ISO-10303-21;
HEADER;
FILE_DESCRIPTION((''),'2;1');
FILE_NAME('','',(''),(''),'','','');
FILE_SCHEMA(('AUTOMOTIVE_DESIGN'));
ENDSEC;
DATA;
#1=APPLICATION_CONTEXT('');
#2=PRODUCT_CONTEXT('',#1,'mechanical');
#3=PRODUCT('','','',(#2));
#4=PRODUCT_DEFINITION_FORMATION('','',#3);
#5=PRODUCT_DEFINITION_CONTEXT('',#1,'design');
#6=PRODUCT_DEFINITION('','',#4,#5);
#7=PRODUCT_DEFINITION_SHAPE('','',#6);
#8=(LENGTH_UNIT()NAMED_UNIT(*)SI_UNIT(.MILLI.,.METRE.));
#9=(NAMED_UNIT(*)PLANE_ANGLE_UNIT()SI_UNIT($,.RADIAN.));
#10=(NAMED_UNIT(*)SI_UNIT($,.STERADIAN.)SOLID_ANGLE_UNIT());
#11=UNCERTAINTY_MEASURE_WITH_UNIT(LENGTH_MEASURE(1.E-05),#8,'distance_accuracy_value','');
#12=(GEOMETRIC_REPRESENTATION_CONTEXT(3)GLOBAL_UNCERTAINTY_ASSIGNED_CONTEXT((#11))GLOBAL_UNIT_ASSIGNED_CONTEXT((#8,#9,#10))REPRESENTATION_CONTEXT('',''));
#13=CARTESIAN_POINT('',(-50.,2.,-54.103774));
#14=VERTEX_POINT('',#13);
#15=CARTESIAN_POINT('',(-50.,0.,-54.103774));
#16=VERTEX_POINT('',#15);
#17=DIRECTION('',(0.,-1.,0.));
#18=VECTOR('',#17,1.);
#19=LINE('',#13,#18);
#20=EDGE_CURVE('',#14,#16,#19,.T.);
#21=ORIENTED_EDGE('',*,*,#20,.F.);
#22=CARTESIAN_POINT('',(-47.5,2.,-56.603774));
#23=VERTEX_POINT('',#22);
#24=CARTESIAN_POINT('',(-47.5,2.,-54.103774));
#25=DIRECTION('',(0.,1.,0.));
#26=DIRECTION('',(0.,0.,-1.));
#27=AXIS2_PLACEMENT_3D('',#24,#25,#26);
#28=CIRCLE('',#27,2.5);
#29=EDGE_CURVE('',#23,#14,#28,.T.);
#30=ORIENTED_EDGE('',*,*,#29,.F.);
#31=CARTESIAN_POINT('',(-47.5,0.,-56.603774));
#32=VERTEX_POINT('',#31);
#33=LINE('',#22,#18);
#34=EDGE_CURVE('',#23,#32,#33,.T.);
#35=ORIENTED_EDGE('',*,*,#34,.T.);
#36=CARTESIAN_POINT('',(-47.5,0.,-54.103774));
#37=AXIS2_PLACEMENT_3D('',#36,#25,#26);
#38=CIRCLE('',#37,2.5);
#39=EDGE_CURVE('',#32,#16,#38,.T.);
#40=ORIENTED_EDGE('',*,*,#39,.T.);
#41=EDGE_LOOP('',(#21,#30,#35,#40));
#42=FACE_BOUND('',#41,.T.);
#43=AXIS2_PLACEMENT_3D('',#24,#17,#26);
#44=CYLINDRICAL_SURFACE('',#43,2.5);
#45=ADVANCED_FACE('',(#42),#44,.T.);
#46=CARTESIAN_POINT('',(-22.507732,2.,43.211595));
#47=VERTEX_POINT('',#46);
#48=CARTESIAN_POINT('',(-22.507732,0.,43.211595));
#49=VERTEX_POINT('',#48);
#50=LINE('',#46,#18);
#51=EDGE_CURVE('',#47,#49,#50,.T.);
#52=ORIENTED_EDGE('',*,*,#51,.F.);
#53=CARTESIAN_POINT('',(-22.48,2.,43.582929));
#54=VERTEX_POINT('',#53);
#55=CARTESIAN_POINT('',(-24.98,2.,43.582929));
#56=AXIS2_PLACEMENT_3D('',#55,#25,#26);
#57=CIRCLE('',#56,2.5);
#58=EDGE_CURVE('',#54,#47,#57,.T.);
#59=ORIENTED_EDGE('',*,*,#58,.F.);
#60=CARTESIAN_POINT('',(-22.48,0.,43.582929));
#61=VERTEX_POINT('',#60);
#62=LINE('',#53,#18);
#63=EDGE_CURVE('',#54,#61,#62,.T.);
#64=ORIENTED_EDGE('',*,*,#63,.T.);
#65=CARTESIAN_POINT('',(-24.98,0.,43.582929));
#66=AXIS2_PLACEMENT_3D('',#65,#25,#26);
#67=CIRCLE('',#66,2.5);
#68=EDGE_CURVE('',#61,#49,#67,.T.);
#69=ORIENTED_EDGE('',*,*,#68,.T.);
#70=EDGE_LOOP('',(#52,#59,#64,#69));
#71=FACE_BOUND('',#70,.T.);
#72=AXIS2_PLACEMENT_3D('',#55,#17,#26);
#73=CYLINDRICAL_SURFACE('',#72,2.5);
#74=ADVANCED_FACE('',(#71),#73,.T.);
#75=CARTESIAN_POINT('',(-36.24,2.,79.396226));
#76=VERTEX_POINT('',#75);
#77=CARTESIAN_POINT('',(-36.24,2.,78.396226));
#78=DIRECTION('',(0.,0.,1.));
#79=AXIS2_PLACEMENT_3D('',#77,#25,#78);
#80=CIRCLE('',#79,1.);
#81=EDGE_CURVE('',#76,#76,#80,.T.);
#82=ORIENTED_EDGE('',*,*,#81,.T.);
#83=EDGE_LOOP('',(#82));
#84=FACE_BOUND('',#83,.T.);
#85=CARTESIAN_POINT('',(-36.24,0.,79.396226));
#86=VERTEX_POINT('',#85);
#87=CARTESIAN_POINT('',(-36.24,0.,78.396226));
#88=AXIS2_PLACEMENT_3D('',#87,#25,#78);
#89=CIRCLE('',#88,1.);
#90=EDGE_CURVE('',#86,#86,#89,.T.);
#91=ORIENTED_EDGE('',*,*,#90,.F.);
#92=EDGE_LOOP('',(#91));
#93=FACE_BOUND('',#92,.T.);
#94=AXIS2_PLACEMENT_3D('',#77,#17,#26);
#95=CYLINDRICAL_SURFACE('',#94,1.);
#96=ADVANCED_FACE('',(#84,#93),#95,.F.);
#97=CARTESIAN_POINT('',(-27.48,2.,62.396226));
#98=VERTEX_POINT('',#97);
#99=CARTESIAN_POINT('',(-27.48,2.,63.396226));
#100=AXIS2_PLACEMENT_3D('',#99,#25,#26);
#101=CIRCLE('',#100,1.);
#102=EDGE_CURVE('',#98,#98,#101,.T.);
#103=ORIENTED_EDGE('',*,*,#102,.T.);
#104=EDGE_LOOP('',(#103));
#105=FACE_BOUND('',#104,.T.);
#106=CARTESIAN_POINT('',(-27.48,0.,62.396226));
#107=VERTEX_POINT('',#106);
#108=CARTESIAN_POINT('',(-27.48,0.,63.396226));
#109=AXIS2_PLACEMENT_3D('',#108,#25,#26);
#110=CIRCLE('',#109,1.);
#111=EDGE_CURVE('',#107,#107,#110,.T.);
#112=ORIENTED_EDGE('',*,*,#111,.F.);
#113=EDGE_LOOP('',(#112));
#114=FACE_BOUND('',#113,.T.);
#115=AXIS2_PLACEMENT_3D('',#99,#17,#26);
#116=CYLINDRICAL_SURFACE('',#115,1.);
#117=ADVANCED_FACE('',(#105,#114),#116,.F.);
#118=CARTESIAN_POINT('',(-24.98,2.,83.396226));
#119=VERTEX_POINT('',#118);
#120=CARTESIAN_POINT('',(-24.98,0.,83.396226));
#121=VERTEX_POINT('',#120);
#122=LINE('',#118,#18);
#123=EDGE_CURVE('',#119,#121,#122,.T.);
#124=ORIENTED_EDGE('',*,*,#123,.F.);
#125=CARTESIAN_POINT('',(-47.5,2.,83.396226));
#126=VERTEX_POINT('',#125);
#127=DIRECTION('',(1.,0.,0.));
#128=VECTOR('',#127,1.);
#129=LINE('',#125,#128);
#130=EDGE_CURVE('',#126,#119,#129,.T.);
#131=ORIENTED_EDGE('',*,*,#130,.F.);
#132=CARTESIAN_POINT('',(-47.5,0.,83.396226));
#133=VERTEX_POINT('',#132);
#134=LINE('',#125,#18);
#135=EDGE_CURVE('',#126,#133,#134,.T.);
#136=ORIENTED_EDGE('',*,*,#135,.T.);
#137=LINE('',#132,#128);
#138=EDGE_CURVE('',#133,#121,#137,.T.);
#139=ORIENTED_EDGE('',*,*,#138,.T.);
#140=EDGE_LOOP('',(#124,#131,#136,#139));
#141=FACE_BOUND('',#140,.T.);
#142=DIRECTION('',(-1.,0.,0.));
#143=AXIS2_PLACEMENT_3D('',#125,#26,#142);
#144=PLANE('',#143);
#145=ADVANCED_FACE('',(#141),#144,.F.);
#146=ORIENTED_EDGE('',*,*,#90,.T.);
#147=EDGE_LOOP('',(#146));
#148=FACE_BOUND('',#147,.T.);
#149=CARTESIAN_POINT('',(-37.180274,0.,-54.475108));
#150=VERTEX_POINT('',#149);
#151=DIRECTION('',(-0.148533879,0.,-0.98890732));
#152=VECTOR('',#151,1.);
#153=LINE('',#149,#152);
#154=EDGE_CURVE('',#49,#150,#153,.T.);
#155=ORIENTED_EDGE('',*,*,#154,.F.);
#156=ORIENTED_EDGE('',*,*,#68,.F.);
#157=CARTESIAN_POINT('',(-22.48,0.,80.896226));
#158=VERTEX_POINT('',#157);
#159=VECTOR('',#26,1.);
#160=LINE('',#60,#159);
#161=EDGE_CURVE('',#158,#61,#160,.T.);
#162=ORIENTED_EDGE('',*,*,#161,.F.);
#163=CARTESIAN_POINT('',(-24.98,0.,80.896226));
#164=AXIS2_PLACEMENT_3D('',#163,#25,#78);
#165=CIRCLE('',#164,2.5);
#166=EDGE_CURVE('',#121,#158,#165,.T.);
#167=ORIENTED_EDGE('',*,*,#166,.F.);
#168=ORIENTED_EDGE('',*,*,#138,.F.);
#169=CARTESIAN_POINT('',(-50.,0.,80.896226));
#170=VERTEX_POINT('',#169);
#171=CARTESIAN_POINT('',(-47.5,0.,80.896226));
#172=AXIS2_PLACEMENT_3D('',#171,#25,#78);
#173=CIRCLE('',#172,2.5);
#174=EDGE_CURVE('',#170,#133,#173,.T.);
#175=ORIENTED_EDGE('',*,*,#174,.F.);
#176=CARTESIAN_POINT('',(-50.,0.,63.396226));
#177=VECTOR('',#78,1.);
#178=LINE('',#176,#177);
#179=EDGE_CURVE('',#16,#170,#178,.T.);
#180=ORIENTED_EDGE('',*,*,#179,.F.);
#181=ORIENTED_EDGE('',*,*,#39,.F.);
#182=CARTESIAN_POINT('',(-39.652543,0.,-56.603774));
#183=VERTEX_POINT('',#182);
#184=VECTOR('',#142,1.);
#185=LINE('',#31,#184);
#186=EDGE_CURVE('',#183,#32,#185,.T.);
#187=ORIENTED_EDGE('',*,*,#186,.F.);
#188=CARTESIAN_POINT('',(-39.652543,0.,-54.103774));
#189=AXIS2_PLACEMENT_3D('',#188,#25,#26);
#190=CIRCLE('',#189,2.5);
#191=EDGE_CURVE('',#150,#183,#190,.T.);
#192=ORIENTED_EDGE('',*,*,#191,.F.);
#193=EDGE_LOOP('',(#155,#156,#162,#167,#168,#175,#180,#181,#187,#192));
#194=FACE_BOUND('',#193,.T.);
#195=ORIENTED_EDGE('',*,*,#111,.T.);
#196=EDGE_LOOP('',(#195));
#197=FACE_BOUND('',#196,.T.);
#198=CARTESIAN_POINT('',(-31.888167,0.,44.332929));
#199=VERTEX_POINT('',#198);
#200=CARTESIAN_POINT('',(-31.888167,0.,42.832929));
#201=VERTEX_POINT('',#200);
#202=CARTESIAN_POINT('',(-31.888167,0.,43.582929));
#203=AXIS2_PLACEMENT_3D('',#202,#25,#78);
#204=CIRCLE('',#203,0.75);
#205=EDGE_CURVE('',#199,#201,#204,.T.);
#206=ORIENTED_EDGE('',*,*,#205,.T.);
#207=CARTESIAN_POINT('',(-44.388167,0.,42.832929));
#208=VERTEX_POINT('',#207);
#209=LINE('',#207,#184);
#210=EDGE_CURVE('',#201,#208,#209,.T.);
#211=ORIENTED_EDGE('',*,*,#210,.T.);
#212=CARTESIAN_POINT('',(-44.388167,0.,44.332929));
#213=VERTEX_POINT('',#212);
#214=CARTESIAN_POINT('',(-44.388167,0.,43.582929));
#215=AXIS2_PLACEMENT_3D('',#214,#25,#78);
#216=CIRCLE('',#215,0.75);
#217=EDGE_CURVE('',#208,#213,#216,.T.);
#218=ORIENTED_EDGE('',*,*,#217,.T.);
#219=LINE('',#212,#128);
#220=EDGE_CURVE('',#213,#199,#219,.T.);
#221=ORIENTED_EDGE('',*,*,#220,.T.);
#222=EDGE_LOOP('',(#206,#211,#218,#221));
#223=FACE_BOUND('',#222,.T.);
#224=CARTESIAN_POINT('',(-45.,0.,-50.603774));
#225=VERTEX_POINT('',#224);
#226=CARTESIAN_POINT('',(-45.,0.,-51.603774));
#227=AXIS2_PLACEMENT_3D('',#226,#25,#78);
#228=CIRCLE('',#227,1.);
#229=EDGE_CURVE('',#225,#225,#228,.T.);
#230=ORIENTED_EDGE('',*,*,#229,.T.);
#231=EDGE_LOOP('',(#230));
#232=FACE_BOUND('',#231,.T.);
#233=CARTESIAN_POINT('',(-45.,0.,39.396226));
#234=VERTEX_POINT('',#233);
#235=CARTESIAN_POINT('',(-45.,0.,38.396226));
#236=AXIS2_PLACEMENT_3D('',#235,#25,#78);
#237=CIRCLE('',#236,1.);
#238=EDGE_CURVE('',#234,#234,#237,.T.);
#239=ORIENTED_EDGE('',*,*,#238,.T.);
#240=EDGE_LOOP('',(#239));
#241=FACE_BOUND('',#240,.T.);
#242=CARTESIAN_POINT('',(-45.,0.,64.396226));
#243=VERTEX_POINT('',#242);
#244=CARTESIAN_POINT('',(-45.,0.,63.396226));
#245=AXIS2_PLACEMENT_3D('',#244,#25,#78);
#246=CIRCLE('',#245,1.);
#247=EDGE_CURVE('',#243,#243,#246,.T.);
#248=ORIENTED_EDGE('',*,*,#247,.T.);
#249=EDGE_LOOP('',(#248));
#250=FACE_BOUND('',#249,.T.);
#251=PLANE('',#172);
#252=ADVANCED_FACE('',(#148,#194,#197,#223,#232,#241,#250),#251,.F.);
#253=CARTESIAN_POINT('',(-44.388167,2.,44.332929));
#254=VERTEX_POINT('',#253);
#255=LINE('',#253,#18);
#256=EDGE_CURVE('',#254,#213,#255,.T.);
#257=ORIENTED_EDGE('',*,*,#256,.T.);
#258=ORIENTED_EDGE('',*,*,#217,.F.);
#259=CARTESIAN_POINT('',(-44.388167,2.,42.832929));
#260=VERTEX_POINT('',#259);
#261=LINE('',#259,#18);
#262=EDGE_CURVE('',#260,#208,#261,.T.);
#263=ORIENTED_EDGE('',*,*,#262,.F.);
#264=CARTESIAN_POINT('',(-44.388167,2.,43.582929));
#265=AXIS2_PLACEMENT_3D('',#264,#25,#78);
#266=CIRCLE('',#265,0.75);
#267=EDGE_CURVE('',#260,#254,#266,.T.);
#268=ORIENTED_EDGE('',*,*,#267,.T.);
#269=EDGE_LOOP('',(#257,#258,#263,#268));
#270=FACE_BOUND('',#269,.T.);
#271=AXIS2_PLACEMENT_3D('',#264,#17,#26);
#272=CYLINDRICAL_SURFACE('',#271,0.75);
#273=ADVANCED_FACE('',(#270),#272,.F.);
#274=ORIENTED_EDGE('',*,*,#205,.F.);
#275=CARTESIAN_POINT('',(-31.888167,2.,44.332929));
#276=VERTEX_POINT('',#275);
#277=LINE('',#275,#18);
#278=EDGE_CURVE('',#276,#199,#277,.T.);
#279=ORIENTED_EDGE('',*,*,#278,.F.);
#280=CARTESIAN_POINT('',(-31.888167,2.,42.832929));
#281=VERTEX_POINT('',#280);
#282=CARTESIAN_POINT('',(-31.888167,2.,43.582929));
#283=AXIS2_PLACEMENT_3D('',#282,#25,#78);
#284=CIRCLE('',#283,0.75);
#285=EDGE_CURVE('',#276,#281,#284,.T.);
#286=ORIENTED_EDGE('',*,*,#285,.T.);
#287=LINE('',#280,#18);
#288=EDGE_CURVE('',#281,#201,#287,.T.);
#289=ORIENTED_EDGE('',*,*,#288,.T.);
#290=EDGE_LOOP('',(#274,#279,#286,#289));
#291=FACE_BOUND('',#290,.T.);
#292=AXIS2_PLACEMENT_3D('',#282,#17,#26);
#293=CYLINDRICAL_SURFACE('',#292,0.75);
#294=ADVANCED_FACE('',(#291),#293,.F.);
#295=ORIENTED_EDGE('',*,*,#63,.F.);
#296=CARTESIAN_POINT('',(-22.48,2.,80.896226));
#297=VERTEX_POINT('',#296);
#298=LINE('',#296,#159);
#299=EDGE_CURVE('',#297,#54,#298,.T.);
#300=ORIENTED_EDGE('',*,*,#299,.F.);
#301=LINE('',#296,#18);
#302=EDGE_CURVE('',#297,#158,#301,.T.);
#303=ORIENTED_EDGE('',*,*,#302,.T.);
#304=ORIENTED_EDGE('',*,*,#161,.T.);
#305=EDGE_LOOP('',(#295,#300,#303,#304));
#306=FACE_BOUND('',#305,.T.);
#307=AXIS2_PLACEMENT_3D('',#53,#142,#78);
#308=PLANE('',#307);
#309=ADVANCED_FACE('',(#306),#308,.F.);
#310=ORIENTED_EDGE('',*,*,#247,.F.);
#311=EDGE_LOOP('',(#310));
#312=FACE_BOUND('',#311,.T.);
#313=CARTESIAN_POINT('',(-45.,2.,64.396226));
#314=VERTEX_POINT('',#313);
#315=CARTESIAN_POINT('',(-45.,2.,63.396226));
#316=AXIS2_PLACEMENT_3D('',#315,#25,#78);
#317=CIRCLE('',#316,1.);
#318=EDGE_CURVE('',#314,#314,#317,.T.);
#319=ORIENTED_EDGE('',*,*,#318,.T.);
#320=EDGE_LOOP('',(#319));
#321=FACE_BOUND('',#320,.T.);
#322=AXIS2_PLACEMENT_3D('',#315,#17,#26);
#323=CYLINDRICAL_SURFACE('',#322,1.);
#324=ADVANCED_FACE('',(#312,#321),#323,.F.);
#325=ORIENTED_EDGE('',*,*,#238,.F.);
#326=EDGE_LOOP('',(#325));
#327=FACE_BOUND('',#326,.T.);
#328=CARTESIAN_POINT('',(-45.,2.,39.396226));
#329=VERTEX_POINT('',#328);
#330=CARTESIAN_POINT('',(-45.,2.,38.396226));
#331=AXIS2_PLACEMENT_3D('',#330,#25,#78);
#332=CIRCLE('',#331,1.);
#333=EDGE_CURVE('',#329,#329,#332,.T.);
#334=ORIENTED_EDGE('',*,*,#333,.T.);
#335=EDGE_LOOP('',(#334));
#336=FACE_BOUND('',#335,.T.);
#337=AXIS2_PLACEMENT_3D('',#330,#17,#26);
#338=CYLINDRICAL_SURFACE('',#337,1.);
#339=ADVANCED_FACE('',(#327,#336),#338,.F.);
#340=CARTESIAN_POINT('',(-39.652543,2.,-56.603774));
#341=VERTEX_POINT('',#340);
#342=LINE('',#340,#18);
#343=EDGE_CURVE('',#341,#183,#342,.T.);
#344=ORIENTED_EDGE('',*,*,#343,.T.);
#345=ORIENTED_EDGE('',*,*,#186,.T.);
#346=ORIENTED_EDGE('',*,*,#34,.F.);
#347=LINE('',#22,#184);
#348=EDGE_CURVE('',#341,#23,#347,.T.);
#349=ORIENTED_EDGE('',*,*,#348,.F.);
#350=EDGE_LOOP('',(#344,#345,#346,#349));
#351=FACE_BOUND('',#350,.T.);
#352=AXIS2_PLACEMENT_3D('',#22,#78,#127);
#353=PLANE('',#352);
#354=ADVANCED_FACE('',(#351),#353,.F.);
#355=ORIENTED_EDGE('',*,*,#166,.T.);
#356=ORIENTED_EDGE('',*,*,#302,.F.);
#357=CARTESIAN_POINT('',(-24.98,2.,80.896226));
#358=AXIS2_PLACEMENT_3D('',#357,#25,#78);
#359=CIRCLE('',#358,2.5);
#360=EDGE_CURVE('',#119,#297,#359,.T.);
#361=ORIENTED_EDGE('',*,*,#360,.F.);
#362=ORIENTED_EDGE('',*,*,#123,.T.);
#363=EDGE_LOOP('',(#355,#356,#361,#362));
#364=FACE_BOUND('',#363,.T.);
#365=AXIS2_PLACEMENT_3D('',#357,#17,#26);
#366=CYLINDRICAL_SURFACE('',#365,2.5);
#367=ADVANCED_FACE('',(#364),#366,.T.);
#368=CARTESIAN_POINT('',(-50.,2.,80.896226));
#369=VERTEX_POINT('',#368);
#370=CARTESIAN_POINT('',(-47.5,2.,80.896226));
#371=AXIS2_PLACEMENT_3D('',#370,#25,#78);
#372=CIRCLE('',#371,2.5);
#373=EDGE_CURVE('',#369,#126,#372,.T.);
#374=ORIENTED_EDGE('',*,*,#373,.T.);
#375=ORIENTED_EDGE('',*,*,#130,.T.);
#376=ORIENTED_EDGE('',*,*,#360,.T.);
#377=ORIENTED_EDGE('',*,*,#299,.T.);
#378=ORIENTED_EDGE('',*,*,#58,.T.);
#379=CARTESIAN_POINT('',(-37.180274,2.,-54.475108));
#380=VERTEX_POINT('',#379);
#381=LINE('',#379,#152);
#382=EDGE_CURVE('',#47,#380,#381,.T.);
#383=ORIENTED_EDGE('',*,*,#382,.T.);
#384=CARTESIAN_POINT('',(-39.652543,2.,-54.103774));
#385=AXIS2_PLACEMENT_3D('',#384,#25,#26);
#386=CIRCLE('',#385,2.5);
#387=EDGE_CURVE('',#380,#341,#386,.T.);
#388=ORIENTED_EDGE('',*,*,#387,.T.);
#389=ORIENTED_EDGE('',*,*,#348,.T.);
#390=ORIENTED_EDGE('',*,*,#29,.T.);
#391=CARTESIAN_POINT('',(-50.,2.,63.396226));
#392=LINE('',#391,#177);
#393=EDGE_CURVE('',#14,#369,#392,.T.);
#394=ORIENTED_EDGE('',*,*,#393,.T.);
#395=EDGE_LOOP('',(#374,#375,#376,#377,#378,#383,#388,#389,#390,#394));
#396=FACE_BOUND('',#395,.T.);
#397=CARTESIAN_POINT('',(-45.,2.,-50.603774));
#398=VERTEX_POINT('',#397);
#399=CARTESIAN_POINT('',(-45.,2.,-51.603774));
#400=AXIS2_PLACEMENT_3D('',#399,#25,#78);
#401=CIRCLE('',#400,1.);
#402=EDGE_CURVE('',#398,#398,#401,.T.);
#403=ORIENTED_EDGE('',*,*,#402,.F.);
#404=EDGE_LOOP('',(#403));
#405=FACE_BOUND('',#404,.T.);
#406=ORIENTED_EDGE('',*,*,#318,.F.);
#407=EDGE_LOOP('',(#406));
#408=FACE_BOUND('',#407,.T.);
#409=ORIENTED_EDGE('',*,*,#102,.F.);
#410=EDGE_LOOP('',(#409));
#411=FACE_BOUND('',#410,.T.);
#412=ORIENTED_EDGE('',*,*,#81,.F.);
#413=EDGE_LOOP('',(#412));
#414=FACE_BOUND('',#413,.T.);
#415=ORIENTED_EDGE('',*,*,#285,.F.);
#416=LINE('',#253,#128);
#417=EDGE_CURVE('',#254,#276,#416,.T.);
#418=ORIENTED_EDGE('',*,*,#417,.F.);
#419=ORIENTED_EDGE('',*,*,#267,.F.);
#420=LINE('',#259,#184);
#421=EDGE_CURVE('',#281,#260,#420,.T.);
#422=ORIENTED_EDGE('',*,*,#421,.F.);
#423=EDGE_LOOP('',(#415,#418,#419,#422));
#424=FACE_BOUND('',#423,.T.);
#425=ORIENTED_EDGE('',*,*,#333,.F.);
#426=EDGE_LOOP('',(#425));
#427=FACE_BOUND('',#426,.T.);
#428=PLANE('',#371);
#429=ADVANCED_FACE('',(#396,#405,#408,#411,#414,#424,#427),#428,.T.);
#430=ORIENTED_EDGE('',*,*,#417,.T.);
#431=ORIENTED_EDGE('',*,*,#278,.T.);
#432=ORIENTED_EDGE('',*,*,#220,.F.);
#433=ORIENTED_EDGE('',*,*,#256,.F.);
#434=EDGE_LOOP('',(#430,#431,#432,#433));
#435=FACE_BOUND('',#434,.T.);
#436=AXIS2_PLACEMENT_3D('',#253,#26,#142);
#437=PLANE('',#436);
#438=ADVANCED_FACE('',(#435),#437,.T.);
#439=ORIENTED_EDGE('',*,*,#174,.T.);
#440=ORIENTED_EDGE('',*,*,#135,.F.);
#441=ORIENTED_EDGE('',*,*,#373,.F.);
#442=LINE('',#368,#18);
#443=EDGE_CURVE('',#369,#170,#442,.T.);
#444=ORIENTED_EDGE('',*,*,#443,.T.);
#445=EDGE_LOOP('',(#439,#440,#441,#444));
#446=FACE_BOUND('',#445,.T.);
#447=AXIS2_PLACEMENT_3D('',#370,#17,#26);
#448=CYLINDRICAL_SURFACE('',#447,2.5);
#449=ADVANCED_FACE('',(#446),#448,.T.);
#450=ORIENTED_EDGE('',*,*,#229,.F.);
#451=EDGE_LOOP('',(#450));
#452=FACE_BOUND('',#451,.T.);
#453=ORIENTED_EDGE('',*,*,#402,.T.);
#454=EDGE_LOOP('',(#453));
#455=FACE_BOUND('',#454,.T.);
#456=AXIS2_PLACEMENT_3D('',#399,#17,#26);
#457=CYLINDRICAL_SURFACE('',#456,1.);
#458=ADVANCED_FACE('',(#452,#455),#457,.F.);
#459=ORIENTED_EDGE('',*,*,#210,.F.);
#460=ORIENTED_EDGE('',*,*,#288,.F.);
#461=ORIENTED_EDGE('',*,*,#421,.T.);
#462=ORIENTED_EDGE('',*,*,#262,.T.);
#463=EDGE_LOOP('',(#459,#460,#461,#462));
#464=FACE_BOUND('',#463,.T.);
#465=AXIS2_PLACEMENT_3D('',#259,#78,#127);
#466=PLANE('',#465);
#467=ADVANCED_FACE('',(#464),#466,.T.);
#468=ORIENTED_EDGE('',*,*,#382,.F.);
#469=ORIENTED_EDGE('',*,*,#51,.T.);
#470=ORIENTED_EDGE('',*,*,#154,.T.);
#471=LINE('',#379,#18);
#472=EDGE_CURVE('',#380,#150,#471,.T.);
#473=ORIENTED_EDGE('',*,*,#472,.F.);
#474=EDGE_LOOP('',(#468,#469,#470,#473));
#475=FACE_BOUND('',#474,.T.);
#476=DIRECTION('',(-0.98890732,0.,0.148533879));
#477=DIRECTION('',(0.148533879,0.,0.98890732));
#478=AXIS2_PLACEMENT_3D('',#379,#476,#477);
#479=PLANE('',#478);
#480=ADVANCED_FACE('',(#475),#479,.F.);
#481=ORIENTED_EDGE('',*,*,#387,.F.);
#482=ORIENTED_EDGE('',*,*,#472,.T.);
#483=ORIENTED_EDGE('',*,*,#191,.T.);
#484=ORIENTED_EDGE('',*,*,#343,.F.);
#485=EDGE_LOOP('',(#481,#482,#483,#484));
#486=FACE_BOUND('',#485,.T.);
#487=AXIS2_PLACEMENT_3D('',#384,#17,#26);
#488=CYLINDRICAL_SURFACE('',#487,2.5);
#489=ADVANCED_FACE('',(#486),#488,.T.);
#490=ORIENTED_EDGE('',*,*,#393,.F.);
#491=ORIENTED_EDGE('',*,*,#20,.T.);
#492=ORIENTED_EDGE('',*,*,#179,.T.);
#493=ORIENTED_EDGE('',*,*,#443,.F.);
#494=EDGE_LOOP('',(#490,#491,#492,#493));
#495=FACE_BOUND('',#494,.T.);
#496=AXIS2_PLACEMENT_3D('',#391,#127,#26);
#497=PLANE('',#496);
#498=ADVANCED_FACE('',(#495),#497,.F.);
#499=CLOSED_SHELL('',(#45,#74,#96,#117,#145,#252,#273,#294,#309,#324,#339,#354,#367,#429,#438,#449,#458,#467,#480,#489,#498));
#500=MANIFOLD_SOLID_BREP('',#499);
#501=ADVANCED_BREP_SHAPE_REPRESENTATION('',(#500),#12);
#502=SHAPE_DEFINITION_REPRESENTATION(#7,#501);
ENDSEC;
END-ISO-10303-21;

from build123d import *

# Parameters (mm, degrees)
SKETCH1_R           = 1
BOSS_EXTRUDE1_DEPTH = 2


with BuildPart() as part:
    # Sketch1 → Boss-Extrude1 (new body)
    with BuildSketch(Plane(origin=(0, 0, 0), x_dir=(1, 0, 0), z_dir=(0, 1, 0))):
        with BuildLine():
            Line((-50, -63.396226415), (-50, 54.103773585))
            ThreePointArc((-50, 54.103773585), (-49.267766953, 55.871540538), (-47.5, 56.603773585))
            Line((-47.5, 56.603773585), (-39.652542771, 56.603773585))
            ThreePointArc((-39.652542771, 56.603773585), (-38.021337196, 55.998283646), (-37.180274472, 54.475108283))
            Line((-37.180274472, 54.475108283), (-22.507731701, -43.211594583))
            ThreePointArc((-22.507731701, -43.211594583), (-22.486942565, -43.396744894), (-22.48, -43.582929282))
            Line((-22.48, -43.582929282), (-22.48, -63.396226415))
            Line((-22.48, -63.396226415), (-22.48, -78.396226415))
            Line((-22.48, -78.396226415), (-22.48, -80.896226415))
            ThreePointArc((-22.48, -80.896226415), (-23.212233047, -82.663993368), (-24.98, -83.396226415))
            Line((-24.98, -83.396226415), (-47.5, -83.396226415))
            ThreePointArc((-47.5, -83.396226415), (-49.267766953, -82.663993368), (-50, -80.896226415))
            Line((-50, -80.896226415), (-50, -78.396226415))
            Line((-50, -78.396226415), (-50, -63.396226415))
        make_face()
        with Locations((-36.24, -78.396226415)):
            Circle(SKETCH1_R, mode=Mode.SUBTRACT)
        with Locations((-45, -63.396226415)):
            Circle(SKETCH1_R, mode=Mode.SUBTRACT)
        with Locations((-27.48, -63.396226415)):
            Circle(SKETCH1_R, mode=Mode.SUBTRACT)
        with Locations((-45, -38.396226415)):
            Circle(SKETCH1_R, mode=Mode.SUBTRACT)
        with Locations((-45, 51.603773585)):
            Circle(SKETCH1_R, mode=Mode.SUBTRACT)
        with BuildLine():
            Line((-44.38816659, -42.832929282), (-31.88816659, -42.832929282))
            ThreePointArc((-31.88816659, -42.832929282), (-31.13816659, -43.582929282), (-31.88816659, -44.332929282))
            Line((-31.88816659, -44.332929282), (-44.38816659, -44.332929282))
            ThreePointArc((-44.38816659, -44.332929282), (-45.13816659, -43.582929282), (-44.38816659, -42.832929282))
        make_face(mode=Mode.SUBTRACT)
    extrude(amount=BOSS_EXTRUDE1_DEPTH)


solid = part.part
